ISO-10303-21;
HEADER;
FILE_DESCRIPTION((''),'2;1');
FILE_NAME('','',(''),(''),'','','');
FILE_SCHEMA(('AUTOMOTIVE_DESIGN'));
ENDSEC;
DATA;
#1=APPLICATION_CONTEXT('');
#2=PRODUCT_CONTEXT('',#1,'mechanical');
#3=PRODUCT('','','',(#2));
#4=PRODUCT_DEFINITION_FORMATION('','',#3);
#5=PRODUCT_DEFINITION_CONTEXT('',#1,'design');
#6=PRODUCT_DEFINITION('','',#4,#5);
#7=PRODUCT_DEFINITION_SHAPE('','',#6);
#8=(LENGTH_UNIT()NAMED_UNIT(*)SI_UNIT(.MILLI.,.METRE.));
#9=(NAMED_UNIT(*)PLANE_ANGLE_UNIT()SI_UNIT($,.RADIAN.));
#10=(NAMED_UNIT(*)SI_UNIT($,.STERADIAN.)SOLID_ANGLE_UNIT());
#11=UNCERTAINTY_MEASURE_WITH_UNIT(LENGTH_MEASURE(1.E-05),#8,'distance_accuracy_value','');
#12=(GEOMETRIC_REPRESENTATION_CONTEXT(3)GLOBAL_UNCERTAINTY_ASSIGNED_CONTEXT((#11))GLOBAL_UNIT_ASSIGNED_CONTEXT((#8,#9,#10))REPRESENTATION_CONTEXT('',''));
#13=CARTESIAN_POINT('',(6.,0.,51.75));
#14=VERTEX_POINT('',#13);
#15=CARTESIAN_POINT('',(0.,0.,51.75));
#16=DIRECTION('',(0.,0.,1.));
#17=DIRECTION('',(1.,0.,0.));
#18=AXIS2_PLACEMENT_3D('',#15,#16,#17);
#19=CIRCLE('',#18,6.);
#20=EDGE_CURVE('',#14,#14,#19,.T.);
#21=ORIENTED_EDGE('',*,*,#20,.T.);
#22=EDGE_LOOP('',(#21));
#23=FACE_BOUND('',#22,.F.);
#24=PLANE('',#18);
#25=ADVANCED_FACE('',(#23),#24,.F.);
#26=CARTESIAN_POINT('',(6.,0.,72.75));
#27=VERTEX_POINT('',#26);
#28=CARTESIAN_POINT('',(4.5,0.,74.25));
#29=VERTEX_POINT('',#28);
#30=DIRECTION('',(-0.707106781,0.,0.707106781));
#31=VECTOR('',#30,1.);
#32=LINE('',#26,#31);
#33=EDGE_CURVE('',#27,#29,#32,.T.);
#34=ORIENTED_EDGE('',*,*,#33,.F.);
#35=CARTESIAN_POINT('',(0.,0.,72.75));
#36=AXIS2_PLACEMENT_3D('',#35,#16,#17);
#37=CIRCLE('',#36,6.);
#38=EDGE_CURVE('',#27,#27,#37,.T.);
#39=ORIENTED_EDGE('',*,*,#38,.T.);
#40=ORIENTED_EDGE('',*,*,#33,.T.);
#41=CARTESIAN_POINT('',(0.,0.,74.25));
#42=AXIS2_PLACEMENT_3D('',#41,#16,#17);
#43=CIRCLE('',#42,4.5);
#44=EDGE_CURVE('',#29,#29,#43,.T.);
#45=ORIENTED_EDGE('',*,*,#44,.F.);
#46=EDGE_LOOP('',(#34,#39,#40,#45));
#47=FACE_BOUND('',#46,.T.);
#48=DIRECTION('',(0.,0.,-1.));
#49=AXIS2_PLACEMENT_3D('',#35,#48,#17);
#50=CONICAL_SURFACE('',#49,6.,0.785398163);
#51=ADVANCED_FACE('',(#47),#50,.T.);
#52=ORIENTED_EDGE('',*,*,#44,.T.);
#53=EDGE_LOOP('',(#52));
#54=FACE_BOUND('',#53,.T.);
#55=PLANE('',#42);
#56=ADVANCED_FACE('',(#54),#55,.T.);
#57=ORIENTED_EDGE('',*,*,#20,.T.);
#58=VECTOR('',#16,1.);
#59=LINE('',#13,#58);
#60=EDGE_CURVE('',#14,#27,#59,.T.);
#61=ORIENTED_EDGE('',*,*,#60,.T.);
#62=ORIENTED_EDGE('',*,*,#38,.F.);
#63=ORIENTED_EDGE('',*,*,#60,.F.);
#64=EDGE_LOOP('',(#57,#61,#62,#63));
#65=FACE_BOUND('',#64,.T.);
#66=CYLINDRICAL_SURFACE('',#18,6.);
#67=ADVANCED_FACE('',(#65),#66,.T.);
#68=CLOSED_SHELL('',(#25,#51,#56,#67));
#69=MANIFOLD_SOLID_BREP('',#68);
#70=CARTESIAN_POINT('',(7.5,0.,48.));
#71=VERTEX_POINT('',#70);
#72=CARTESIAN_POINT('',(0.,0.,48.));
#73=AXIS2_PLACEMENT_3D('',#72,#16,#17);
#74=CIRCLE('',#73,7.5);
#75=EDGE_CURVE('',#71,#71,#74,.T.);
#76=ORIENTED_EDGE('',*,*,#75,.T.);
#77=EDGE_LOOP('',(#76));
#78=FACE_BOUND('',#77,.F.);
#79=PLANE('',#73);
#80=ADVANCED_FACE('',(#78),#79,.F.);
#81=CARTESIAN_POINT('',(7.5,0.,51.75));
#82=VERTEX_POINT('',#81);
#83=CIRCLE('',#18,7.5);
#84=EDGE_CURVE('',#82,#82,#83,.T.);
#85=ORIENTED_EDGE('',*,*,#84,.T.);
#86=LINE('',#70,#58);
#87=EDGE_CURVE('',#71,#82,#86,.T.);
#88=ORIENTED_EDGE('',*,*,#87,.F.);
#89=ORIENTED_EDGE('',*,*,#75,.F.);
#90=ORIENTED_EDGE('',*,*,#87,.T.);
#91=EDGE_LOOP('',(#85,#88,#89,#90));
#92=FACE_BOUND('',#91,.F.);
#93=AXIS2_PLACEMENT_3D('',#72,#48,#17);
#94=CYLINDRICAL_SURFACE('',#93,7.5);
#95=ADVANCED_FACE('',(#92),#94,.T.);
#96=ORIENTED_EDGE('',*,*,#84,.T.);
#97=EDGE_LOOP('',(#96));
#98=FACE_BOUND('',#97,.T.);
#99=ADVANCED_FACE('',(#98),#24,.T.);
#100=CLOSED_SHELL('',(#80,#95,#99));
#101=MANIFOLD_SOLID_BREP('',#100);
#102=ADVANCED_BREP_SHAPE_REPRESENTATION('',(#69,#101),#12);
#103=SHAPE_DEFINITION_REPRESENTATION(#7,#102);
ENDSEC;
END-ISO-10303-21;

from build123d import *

# Parameters (mm, degrees)
F2_R      = 6
F4_R      = 7.5
F4_R_2    = 6
F10_DEPTH = 3.75
F11_SIZE  = 1.5


with BuildPart() as f9:
    # F9: sweep along a path in F0
    with BuildLine(Plane.XZ) as f9_path:
        Line((-6, 51.75), (-6, 74.25))
    # F2 (on line) → F9 (sweep)
    with BuildSketch(Plane.XY.offset(74.25)):
        Circle(F2_R)
    sweep(path=f9_path.line)

    # F11
    f11_edges = [f9.edges().sort_by_distance(p)[0] for p in [
        (-6, 0, 74.25),
    ]]
    chamfer(f11_edges, length=F11_SIZE)


with BuildPart() as f10:
    # F4 (on line) → F10 (new body)
    with BuildSketch(Plane.XY.offset(48)):
        Circle(F4_R)
        Circle(F4_R_2, mode=Mode.SUBTRACT)
        Circle(F4_R_2)
    extrude(amount=F10_DEPTH)


solid = Compound([f9.part, f10.part])
